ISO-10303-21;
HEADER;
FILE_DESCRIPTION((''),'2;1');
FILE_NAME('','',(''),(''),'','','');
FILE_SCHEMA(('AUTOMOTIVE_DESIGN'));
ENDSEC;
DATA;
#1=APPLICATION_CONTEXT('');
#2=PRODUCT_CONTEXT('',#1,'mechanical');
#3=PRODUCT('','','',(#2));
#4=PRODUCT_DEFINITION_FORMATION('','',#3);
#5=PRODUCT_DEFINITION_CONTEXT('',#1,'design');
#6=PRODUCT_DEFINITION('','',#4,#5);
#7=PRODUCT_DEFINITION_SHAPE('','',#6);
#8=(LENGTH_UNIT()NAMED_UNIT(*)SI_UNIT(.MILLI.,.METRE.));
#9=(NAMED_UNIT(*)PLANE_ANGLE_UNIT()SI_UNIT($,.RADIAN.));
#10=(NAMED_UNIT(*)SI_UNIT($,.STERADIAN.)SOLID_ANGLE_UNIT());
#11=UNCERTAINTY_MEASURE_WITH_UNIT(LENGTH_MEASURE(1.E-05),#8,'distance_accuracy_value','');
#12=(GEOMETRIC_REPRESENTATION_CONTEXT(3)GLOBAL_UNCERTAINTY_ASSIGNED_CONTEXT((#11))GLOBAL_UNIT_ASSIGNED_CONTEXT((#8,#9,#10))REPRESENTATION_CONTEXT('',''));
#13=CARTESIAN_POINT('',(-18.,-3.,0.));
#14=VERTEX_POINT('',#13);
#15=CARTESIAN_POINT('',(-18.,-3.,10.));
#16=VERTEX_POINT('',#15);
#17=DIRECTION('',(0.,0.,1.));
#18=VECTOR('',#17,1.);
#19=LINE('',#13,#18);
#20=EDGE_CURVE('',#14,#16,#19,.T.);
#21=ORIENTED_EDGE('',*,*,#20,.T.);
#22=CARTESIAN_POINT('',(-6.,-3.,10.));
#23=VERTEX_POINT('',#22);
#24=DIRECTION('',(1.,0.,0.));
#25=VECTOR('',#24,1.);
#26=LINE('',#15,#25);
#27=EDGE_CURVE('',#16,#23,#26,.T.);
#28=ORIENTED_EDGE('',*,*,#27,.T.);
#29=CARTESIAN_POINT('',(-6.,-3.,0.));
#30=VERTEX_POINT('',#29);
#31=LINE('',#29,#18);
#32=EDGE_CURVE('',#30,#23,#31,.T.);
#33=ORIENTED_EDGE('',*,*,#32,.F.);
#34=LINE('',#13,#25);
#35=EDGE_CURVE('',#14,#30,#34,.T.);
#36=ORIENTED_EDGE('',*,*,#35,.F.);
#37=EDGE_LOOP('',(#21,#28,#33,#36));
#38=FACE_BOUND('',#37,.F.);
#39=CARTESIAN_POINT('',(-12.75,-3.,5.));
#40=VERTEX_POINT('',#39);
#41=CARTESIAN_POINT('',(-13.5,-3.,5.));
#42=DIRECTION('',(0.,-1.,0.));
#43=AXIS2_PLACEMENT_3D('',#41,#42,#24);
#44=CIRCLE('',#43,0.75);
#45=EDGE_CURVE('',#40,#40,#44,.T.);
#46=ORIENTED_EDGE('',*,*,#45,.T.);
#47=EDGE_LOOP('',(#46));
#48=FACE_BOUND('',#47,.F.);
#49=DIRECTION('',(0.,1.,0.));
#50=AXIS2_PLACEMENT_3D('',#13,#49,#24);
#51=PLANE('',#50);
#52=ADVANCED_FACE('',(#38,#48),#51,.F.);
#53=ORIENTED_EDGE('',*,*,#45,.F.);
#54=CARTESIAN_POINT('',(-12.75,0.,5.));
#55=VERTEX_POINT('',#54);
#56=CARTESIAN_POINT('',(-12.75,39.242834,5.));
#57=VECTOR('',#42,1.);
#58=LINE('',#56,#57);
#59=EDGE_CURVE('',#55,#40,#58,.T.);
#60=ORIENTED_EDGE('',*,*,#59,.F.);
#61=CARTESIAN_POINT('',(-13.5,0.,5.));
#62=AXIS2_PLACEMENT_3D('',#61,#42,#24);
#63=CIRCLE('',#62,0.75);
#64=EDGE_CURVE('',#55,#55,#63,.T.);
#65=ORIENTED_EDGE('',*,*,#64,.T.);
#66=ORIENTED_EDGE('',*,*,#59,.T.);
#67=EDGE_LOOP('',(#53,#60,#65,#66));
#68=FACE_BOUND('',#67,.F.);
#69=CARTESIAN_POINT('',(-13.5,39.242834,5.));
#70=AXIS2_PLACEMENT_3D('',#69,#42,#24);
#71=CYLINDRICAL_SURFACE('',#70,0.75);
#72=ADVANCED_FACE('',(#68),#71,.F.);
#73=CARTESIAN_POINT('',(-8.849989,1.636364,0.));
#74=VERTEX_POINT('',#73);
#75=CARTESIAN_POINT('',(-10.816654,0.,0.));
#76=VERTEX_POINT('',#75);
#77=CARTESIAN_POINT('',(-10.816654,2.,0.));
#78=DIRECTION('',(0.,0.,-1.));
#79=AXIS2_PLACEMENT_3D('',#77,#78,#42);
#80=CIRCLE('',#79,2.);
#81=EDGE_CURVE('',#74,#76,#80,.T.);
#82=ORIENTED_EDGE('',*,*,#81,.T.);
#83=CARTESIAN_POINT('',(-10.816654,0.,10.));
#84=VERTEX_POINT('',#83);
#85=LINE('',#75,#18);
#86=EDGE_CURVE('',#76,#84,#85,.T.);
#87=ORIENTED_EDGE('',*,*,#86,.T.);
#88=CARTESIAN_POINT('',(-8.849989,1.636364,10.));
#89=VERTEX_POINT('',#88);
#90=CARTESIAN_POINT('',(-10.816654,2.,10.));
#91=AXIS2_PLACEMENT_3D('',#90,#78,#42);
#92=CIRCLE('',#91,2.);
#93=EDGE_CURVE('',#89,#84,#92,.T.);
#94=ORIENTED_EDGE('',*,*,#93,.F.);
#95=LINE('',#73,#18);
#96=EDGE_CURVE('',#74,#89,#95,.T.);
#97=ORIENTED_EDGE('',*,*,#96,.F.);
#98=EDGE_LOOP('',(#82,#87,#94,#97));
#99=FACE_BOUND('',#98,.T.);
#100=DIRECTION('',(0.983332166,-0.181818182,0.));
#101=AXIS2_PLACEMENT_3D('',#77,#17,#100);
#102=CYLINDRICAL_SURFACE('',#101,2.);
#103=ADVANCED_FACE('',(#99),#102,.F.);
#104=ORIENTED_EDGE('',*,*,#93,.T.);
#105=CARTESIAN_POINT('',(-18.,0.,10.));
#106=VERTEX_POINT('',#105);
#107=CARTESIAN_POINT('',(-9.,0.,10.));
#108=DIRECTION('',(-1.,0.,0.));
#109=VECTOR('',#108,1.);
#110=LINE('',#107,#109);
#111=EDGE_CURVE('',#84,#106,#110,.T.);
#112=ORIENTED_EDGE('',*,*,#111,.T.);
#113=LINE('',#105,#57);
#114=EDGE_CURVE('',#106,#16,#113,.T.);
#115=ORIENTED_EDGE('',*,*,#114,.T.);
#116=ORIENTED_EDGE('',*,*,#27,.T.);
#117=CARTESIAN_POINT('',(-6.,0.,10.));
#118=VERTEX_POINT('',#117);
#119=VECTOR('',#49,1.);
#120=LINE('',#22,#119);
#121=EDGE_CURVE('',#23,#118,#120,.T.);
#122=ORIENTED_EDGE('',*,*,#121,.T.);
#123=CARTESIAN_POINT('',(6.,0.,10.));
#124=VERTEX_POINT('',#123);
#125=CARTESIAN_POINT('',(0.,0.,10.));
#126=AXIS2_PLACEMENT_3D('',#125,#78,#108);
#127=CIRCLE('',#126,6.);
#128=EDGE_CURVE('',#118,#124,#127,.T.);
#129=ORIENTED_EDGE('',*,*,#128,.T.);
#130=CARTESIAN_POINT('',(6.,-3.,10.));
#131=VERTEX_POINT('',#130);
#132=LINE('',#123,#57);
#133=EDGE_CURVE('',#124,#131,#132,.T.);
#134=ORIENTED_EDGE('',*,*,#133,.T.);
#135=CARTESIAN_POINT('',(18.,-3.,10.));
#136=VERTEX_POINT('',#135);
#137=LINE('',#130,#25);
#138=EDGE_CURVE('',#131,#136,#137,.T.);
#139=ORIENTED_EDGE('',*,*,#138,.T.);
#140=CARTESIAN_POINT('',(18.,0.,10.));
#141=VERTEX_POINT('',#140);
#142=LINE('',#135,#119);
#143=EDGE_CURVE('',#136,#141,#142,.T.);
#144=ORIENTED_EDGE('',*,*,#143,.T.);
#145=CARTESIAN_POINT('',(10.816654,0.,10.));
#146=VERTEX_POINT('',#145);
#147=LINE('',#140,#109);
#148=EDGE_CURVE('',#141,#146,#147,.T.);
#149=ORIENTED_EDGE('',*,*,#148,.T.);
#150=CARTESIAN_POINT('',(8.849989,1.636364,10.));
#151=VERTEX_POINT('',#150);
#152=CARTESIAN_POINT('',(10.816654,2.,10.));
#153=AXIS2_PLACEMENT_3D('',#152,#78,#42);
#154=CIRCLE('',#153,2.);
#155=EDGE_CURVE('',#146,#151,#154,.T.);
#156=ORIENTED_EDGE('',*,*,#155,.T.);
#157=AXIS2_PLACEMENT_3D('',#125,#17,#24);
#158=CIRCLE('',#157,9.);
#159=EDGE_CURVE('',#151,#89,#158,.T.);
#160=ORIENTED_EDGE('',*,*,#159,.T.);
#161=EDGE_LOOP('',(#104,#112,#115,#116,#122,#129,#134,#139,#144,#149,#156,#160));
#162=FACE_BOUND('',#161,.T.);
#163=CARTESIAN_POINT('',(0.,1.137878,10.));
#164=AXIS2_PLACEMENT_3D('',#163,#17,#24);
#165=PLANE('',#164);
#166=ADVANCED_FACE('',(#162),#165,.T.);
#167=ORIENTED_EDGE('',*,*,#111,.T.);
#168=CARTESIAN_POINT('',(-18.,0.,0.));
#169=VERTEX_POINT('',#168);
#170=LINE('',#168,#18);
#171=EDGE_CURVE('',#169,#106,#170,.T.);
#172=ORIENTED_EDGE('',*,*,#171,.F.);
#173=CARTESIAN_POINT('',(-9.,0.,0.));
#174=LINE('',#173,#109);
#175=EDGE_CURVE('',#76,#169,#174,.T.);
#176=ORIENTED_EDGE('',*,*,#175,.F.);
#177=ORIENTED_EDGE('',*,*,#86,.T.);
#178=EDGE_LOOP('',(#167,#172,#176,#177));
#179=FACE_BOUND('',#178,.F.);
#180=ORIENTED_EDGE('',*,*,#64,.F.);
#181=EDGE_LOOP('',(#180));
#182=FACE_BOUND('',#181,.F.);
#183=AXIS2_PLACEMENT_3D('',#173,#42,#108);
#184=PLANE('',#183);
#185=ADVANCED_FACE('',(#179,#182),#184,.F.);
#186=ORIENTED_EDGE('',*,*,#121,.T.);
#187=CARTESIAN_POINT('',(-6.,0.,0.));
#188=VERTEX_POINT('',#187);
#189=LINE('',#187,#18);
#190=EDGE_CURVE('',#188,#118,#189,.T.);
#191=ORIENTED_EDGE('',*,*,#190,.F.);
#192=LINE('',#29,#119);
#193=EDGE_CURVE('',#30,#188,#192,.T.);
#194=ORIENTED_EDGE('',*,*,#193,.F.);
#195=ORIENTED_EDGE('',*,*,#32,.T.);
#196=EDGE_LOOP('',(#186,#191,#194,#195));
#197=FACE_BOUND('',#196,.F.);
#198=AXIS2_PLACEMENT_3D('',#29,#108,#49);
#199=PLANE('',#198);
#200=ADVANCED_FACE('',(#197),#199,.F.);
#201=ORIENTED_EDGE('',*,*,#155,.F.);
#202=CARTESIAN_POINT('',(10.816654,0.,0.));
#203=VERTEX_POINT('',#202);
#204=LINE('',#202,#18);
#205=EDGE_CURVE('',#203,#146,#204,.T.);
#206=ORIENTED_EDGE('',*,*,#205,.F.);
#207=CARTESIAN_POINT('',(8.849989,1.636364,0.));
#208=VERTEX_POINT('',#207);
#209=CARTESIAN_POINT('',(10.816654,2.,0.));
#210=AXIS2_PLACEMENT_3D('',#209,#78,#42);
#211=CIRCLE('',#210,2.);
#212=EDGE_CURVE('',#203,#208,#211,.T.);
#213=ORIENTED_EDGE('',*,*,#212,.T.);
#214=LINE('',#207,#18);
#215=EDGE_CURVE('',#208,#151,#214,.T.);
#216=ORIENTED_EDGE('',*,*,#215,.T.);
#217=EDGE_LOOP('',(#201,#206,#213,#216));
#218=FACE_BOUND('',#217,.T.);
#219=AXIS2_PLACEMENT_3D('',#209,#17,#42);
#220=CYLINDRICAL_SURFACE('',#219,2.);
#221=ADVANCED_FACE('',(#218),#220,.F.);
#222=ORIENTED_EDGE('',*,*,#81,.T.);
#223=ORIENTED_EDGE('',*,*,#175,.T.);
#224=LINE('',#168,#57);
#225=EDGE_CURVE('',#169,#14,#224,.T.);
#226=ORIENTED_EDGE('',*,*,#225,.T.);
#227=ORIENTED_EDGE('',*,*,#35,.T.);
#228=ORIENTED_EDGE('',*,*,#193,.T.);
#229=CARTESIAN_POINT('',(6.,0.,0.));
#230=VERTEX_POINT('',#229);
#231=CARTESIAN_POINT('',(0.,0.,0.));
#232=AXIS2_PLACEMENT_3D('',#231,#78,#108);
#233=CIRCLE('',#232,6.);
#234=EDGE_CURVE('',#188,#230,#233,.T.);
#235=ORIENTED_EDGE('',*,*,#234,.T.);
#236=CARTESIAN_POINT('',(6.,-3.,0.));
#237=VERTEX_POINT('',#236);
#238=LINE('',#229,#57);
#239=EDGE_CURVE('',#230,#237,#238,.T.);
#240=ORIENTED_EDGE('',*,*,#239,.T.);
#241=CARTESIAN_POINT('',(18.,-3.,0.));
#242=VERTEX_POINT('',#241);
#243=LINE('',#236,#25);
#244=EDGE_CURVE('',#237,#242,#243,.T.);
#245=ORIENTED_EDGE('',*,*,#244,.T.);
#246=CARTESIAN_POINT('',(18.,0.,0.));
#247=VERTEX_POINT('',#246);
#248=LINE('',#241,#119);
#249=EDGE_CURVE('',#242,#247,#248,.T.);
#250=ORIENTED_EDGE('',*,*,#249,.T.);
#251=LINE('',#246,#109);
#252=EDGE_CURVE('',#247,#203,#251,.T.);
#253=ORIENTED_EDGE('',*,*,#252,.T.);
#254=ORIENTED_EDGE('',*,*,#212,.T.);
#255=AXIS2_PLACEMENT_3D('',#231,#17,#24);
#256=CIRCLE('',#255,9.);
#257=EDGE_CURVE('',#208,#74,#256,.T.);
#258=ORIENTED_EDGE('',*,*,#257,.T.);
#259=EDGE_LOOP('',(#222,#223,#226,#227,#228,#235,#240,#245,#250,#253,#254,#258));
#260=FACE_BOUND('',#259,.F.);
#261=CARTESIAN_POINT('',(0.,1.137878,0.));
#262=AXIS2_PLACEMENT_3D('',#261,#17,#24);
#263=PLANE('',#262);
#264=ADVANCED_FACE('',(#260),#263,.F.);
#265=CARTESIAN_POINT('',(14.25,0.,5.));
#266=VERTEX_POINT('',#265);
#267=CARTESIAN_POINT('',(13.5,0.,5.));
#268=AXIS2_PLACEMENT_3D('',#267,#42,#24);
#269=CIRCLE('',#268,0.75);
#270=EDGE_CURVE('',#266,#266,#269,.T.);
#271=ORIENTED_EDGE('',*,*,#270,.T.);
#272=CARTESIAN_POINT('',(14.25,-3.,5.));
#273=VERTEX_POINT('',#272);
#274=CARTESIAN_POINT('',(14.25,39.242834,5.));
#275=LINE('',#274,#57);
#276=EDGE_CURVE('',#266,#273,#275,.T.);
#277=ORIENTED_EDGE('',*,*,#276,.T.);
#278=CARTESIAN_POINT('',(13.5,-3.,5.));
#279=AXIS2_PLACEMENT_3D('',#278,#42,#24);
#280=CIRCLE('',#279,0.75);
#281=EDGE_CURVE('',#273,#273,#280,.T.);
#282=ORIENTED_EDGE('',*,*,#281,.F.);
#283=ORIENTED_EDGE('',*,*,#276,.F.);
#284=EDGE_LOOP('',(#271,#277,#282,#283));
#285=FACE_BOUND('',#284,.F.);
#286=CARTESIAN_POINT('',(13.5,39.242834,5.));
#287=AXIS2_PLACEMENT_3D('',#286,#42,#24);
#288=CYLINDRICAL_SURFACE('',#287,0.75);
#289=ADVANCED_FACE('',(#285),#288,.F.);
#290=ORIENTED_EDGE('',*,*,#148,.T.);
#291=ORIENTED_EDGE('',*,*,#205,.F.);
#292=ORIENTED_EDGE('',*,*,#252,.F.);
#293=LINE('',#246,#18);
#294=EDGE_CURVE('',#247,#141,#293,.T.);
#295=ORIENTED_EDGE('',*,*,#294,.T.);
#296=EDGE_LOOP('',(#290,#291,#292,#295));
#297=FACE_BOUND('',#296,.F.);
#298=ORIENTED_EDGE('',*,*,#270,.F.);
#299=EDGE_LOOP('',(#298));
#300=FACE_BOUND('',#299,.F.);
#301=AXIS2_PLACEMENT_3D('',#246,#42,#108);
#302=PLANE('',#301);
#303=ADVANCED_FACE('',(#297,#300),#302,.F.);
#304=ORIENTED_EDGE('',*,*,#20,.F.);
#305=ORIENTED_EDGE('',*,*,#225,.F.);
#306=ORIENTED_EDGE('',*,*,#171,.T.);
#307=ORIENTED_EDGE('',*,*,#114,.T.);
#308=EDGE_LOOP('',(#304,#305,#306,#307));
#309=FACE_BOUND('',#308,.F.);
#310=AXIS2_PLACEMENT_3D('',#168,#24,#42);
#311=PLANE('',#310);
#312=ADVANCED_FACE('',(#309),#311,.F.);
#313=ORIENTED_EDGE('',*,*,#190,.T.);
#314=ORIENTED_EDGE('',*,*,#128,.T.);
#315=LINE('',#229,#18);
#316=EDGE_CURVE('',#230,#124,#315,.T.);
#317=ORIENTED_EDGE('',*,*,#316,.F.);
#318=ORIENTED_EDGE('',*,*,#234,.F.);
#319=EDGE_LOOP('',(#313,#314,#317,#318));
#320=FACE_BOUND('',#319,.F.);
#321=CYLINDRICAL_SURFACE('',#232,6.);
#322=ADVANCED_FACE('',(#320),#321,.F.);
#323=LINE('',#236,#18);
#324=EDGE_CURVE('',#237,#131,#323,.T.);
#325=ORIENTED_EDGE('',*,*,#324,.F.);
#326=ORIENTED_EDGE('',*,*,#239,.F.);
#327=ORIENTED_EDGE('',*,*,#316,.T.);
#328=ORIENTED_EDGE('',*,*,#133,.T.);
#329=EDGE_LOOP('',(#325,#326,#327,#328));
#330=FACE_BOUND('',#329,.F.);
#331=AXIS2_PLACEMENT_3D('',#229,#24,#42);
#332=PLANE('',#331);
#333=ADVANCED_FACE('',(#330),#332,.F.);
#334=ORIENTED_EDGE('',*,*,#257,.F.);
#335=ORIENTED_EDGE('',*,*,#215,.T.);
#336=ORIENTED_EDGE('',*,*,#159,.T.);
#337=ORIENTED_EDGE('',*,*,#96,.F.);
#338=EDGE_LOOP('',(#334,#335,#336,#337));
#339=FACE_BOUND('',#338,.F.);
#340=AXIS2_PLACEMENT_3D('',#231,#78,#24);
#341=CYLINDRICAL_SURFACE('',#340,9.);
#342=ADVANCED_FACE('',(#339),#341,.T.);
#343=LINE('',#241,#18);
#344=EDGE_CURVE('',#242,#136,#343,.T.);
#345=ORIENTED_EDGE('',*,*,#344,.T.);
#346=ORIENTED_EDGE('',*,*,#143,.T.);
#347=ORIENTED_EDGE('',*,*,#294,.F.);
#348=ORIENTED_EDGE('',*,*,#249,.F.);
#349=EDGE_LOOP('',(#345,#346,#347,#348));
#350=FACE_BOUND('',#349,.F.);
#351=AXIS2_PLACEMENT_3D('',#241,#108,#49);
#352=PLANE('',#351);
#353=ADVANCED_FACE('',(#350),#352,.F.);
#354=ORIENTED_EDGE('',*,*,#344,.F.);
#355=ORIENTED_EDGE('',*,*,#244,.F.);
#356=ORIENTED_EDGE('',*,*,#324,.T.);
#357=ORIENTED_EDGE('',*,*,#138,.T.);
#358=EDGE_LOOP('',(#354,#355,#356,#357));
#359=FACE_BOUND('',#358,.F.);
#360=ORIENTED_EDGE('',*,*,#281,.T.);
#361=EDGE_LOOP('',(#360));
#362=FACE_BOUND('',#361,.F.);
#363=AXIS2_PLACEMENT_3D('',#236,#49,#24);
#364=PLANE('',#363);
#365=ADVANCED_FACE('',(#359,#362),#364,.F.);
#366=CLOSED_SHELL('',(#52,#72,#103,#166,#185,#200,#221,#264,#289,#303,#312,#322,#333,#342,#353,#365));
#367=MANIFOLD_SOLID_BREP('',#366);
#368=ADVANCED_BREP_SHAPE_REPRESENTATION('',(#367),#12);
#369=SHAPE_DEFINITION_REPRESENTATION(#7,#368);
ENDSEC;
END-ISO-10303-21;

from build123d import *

# Parameters (mm, degrees)
F1_DEPTH = 10
F3_D     = 1.5
F4_R     = 2


with BuildPart() as f1:
    # F0 (on Top) → F1 (new body)
    with BuildSketch(Plane.XY):
        with BuildLine():
            ThreePointArc((-6, 0), (0, 6), (6, 0))
            Line((6, 0), (6, -3))
            Line((6, -3), (18, -3))
            Line((18, -3), (18, 0))
            Line((18, 0), (9, 0))
            ThreePointArc((9, 0), (0, 9), (-9, 0))
            Line((-9, 0), (-18, 0))
            Line((-18, 0), (-18, -3))
            Line((-18, -3), (-6, -3))
            Line((-6, -3), (-6, 0))
        make_face()
    extrude(amount=F1_DEPTH)

    # F3 (through all)
    with Locations(Plane(origin=(0, 0, 0), x_dir=(-1, 0, 0), z_dir=(0, 1, 0))):
        with Locations((-13.5, 5), (13.5, 5)):
            Hole(F3_D / 2)

    # F4
    f4_edges = [f1.edges().sort_by_distance(p)[0] for p in [
        (9, 0, 5),
        (-9, 0, 5),
    ]]
    fillet(f4_edges, radius=F4_R)


solid = f1.part
